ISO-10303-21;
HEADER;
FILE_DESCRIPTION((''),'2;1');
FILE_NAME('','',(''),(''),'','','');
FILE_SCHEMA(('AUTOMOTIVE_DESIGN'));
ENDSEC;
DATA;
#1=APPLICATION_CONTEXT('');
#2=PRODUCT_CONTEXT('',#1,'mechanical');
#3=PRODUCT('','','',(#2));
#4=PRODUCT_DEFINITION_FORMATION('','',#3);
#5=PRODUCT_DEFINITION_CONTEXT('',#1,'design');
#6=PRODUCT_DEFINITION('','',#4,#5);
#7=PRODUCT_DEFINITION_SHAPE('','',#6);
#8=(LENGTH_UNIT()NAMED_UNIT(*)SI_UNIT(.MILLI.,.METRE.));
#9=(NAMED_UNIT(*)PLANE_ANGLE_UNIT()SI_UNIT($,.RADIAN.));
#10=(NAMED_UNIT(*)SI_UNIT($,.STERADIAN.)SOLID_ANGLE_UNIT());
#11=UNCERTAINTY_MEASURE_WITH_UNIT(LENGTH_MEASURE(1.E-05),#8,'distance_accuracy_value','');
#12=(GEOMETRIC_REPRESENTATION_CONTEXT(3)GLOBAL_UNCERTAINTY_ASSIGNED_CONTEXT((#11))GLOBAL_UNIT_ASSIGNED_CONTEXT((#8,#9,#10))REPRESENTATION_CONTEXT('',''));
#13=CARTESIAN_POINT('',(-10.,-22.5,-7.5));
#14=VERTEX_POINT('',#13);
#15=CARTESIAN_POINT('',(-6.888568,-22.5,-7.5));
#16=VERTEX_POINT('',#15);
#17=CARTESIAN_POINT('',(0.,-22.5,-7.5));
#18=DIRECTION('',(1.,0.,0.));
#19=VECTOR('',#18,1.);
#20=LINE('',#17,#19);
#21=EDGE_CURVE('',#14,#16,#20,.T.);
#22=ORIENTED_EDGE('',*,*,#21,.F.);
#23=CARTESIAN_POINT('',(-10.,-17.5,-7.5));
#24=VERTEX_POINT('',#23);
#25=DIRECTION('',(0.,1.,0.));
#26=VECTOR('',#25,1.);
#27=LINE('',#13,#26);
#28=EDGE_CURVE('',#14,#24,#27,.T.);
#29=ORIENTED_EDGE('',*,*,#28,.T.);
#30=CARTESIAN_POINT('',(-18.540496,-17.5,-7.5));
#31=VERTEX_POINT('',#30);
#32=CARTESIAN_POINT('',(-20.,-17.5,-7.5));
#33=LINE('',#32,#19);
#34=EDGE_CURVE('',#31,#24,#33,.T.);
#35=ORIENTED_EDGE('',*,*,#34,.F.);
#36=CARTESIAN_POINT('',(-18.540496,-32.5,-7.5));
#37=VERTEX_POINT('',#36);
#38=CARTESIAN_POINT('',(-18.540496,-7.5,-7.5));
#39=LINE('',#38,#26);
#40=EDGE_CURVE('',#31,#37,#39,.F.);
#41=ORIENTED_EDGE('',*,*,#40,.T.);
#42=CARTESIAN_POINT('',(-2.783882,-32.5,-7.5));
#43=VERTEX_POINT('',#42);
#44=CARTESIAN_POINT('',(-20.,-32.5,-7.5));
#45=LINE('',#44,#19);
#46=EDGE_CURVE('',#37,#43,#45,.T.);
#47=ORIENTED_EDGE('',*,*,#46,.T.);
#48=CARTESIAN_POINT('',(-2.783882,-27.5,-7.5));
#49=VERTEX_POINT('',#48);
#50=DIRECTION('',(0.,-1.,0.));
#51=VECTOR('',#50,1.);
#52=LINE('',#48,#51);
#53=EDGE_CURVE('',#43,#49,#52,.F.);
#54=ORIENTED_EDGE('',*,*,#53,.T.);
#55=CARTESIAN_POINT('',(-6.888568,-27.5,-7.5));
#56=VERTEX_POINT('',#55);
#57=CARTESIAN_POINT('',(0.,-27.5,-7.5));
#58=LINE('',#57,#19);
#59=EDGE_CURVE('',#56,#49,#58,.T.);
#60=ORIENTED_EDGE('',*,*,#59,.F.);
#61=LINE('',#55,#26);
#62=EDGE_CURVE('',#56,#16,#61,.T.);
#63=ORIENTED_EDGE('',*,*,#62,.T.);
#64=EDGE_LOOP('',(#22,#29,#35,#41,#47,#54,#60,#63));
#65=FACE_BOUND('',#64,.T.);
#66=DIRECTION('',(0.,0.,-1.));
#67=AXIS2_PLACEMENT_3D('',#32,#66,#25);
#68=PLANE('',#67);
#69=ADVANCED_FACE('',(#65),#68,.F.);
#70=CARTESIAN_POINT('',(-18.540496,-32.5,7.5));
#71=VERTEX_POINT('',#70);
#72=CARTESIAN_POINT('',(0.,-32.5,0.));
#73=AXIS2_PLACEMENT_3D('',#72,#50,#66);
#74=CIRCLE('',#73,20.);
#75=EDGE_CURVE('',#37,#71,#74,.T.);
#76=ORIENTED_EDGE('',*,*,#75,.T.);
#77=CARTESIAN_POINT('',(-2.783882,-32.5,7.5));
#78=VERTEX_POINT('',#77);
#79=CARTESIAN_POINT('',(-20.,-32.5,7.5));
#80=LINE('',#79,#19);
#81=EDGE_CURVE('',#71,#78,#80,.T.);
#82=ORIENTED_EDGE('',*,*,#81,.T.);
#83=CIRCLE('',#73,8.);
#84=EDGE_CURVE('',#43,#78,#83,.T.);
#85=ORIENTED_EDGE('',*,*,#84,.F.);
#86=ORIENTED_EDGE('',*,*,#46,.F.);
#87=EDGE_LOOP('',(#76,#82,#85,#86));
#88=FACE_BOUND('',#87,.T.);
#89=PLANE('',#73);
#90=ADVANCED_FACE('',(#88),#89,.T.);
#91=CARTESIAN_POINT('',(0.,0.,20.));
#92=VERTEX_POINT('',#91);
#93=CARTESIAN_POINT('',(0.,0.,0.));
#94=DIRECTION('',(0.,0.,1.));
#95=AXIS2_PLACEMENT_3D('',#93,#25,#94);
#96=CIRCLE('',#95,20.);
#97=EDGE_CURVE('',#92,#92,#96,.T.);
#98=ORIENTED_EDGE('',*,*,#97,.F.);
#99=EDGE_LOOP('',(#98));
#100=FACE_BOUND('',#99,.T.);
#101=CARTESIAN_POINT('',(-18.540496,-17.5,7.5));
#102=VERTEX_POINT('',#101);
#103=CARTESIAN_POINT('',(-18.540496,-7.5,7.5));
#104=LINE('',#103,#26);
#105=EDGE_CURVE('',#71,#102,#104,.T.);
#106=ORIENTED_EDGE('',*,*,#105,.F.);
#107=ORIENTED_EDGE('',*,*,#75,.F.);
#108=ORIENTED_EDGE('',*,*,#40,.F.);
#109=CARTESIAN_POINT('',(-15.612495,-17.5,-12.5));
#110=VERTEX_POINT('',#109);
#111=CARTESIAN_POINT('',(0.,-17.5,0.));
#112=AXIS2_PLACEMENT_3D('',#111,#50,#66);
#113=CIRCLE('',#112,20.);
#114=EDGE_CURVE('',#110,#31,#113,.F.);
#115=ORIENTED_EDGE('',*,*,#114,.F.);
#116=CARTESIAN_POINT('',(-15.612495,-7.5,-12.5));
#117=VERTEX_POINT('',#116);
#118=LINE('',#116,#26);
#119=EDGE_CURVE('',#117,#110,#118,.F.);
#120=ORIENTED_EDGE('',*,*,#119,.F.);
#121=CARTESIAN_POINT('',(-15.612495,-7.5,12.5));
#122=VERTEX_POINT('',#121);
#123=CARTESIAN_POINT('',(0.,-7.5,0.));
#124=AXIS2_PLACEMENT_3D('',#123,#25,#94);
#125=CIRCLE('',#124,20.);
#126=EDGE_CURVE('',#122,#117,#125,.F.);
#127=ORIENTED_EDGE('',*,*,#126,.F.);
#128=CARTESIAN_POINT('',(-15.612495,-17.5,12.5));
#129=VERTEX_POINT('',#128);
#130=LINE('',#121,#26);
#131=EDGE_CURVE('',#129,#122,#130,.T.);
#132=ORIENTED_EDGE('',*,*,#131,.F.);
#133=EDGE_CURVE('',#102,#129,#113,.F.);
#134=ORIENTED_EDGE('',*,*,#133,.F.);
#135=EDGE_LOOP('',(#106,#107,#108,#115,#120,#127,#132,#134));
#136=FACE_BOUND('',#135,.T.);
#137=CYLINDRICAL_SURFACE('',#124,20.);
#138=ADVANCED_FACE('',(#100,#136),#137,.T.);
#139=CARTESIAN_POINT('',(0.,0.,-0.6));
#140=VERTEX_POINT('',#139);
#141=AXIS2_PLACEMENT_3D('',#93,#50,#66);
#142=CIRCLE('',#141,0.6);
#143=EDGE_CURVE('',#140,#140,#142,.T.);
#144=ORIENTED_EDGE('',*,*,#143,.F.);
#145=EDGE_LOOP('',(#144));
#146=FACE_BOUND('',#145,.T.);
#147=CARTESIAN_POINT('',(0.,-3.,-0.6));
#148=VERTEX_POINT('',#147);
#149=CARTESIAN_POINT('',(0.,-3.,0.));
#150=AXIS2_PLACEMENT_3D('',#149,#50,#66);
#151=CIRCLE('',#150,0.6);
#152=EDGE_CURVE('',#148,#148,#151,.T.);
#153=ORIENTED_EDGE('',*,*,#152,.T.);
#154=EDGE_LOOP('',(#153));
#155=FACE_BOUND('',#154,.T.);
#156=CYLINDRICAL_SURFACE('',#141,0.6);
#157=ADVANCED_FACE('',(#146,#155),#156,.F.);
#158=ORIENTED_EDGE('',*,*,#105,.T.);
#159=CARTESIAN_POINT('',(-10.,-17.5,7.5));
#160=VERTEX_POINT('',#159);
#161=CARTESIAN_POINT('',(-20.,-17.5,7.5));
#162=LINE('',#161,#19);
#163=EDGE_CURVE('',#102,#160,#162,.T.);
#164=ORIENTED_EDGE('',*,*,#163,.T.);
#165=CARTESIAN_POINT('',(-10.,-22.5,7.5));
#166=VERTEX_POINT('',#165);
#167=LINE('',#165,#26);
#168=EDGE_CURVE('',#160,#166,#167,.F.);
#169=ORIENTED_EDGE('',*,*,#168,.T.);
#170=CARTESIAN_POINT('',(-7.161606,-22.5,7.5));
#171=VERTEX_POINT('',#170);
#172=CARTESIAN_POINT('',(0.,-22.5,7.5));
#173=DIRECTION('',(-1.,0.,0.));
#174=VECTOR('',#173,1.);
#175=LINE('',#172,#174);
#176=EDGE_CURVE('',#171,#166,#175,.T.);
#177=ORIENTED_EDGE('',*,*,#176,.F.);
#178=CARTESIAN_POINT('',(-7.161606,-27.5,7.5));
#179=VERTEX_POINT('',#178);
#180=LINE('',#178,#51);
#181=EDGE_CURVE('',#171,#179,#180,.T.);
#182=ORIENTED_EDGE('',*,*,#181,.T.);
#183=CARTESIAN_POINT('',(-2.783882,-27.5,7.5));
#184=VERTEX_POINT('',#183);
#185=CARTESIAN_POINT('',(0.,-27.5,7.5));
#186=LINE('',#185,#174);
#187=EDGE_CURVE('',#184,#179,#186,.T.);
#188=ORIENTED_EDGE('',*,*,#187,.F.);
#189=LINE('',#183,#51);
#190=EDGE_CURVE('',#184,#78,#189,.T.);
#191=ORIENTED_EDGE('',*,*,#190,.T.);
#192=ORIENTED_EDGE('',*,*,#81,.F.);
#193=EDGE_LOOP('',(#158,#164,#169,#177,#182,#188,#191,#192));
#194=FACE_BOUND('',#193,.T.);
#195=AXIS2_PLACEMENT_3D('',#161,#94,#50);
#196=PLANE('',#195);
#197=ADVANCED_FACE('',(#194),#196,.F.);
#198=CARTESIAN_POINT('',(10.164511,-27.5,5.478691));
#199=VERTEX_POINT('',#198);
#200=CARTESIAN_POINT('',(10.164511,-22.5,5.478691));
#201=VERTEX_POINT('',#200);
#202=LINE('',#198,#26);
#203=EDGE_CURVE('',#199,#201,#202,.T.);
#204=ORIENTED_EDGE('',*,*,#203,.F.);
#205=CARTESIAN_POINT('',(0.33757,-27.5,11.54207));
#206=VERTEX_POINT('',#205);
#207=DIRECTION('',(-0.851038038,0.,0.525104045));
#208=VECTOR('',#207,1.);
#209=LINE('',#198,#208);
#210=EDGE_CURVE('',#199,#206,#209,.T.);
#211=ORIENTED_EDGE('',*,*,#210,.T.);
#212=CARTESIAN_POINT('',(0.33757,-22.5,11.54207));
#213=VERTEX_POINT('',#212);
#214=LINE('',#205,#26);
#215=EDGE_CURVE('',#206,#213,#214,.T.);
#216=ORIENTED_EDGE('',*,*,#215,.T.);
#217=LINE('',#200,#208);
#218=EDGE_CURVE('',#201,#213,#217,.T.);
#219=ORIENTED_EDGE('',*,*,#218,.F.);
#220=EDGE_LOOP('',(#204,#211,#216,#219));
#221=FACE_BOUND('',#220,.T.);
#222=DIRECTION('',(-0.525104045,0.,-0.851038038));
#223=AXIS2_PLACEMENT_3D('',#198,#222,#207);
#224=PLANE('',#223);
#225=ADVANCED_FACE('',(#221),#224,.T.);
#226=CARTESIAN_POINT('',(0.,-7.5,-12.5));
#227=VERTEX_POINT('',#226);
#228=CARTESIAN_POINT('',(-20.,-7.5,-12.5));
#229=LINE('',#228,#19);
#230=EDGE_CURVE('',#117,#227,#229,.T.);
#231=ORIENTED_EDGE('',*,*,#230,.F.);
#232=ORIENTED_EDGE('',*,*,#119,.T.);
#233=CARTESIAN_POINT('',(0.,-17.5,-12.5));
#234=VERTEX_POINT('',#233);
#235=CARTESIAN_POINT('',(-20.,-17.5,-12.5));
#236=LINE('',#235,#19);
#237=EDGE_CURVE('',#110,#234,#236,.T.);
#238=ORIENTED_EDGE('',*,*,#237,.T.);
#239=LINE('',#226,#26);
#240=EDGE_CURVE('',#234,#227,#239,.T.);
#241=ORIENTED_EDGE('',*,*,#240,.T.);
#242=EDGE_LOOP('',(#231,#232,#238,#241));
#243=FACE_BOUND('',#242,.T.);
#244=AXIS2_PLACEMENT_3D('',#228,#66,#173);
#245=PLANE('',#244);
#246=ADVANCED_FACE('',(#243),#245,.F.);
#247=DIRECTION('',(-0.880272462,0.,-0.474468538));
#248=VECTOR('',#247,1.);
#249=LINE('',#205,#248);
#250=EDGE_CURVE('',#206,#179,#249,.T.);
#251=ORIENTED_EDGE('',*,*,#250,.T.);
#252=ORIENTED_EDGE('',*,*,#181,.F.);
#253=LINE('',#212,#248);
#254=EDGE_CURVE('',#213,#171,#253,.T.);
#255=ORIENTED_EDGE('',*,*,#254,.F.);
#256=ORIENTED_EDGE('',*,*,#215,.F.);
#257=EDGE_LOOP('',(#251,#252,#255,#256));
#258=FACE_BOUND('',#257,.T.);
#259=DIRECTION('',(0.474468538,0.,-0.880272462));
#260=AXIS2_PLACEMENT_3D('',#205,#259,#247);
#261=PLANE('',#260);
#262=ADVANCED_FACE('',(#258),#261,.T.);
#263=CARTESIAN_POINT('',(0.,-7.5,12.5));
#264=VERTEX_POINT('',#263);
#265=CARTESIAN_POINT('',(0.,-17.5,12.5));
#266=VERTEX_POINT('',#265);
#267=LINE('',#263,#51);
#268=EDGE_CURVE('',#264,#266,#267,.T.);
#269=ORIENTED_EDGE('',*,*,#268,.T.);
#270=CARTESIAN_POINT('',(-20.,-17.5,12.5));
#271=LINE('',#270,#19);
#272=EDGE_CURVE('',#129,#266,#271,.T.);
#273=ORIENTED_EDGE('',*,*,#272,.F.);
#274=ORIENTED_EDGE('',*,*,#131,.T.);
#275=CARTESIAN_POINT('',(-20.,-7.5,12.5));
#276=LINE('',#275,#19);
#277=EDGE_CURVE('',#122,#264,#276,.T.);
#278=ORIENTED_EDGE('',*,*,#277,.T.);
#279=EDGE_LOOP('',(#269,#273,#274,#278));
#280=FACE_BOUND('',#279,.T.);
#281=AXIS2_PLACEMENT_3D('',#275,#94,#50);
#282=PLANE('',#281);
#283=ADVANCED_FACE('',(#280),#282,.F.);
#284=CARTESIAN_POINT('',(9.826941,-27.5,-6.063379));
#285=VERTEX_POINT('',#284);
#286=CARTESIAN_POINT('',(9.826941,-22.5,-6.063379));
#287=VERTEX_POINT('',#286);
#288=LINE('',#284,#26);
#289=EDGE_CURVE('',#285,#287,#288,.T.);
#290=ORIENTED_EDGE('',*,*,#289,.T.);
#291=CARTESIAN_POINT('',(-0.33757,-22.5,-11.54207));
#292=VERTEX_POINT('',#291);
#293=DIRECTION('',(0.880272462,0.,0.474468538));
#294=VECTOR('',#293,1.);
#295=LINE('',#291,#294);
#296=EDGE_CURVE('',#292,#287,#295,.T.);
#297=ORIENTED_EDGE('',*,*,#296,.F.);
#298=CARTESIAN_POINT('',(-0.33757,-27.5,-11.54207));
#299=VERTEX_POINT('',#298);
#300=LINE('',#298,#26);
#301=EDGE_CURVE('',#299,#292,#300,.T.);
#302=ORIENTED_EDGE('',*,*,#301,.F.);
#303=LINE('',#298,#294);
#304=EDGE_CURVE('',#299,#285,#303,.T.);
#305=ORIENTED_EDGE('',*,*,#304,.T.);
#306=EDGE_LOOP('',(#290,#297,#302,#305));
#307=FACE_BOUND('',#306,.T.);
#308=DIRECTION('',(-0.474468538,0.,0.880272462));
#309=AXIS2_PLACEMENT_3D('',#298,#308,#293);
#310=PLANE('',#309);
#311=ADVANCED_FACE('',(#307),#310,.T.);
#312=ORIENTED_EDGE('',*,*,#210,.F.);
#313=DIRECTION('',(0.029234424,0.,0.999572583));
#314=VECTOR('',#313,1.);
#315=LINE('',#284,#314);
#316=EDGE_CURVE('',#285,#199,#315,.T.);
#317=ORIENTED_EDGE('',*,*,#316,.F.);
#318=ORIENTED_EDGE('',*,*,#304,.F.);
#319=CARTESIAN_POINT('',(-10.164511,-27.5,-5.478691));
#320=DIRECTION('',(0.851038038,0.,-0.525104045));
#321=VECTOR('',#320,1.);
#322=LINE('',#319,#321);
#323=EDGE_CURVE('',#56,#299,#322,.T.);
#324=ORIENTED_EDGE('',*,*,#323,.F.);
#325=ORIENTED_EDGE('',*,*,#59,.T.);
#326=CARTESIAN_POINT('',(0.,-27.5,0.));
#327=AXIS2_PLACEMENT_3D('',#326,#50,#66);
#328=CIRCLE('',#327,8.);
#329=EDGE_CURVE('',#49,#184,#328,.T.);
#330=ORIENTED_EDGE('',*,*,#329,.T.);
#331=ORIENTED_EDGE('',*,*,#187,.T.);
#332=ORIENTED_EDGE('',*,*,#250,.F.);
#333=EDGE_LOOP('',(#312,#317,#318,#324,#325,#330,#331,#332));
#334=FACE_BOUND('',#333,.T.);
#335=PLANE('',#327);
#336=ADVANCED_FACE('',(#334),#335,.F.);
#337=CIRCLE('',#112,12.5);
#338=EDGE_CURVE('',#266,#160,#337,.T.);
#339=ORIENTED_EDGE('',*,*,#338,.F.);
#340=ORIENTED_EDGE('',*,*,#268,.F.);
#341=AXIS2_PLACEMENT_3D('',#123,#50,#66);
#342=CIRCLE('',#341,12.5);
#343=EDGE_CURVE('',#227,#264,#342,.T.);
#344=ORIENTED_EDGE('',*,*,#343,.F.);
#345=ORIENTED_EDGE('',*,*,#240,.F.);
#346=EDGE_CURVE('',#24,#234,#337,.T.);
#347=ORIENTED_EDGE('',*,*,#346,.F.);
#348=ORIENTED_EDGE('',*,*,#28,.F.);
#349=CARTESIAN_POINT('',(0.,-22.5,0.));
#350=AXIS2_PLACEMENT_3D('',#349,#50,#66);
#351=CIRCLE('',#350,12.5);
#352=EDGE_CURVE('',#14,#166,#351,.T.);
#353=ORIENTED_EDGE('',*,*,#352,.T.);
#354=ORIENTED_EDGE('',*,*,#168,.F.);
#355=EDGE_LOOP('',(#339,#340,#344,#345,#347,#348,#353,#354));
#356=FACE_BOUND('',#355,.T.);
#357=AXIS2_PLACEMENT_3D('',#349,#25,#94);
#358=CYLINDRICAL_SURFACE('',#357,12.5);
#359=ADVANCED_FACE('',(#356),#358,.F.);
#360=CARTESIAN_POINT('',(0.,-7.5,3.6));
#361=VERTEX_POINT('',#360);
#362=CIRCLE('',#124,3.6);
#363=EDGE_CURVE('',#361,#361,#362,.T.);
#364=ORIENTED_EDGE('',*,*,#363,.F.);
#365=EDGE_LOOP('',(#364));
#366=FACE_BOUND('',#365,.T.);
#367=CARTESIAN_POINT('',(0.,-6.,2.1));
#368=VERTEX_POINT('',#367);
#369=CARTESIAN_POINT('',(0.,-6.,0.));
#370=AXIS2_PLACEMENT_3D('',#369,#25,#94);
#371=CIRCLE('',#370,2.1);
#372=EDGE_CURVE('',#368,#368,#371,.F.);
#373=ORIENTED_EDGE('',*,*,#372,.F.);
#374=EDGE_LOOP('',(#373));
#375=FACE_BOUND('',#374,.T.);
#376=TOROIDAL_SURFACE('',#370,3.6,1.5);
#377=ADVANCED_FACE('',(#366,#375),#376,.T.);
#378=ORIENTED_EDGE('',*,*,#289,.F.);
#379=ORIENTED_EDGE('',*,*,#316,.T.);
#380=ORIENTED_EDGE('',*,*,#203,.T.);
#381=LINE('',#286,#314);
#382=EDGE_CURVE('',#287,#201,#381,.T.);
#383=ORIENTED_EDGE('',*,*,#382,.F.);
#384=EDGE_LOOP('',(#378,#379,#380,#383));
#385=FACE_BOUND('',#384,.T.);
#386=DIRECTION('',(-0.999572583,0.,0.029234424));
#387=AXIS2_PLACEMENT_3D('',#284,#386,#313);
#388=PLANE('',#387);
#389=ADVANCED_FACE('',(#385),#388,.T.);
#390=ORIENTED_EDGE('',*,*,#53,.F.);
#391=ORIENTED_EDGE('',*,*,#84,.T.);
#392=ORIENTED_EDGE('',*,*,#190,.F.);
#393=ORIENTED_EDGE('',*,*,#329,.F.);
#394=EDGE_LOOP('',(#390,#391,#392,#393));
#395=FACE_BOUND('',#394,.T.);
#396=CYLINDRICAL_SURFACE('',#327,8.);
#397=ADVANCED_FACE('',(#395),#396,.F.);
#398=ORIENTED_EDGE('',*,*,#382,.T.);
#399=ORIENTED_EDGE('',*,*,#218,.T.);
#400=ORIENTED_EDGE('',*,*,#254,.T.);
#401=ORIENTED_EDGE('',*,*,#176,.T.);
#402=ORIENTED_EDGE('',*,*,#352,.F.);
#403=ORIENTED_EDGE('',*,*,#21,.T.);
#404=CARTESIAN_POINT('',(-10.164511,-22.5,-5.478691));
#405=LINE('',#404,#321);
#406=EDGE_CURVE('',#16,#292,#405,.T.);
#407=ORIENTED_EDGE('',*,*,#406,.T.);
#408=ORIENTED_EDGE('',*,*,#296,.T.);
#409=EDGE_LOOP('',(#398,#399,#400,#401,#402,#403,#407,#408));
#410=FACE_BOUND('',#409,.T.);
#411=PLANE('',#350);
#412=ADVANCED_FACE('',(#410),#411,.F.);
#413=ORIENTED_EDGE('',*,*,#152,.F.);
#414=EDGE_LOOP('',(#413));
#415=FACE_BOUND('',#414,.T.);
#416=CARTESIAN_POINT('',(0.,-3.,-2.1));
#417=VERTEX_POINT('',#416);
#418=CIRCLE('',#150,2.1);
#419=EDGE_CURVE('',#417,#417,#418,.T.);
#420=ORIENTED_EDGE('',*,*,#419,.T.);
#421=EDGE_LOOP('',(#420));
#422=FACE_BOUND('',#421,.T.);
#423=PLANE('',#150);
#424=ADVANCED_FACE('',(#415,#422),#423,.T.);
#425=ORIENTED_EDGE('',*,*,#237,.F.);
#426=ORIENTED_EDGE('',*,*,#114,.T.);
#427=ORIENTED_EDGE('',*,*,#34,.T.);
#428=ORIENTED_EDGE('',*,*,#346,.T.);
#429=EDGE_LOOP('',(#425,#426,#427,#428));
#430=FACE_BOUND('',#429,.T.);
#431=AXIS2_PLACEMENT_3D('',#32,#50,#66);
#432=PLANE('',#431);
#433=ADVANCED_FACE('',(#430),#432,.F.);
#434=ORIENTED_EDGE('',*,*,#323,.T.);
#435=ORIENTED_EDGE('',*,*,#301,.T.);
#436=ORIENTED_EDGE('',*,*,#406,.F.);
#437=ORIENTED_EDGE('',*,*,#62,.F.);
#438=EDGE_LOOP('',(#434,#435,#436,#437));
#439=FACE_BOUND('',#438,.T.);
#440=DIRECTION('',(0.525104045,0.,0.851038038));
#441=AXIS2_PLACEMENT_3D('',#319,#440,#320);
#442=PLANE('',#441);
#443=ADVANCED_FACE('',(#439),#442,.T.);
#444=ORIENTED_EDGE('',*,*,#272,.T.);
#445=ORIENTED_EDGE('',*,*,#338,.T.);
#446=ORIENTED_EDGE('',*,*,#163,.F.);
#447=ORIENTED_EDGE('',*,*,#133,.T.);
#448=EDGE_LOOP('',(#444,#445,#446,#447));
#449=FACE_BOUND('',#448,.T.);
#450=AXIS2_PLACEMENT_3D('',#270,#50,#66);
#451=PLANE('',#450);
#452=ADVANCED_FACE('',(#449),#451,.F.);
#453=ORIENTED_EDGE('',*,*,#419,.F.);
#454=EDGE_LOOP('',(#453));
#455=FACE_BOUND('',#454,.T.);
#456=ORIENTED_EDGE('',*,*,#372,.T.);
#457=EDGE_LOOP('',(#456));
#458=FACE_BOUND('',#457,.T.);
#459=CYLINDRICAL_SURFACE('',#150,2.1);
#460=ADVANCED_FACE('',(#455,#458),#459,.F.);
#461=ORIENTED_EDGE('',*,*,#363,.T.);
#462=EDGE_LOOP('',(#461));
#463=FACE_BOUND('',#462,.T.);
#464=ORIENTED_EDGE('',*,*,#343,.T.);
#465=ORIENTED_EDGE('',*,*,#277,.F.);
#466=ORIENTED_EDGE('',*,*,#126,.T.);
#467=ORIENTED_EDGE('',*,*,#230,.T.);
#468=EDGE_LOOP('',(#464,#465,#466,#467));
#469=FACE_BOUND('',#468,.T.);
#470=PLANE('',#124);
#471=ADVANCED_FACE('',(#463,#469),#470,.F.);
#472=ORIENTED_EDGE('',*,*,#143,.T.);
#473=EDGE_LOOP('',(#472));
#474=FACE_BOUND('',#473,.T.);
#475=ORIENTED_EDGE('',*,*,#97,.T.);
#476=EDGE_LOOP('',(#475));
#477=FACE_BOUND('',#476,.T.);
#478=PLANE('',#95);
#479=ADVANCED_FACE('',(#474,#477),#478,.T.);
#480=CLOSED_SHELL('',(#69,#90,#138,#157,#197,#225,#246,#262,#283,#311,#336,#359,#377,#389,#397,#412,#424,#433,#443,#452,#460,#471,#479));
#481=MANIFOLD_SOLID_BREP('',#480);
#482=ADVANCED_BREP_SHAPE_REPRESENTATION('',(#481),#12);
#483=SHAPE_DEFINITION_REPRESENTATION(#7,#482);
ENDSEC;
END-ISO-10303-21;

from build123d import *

# Parameters (mm, degrees)
SKETCH1_R           = 20
BOSS_EXTRUDE1_DEPTH = 7.5
SKETCH2_R           = 20
SKETCH2_R_2         = 12.5
BOSS_EXTRUDE2_DEPTH = 15
SKETCH3_R           = 20
BOSS_EXTRUDE3_DEPTH = 10
CUT_EXTRUDE2_DEPTH  = 5
CUT_EXTRUDE3_DEPTH  = 44.084219849
SKETCH6_R           = 8
CUT_EXTRUDE4_DEPTH  = 5
SKETCH7_R           = 2.1
CUT_EXTRUDE5_DEPTH  = 4.5
SKETCH8_R           = 0.6
CUT_EXTRUDE6_DEPTH  = 41.868692174
FILLET1_R           = 1.5


with BuildPart() as part:
    # Sketch1 → Boss-Extrude1 (new body)
    with BuildSketch(Plane(origin=(0, 0, 0), x_dir=(1, 0, 0), z_dir=(0, 1, 0))):
        with Locations(Location((0, 0, 0), (0, 0, 270))):
            Circle(SKETCH1_R)
    extrude(amount=-BOSS_EXTRUDE1_DEPTH)

    # Sketch2 → Boss-Extrude2 (add)
    with BuildSketch(Plane.XZ.offset(7.5)):
        with Locations(Location((0, 0, 0), (0, 0, 90))):
            Circle(SKETCH2_R)
        with Locations(Location((0, 0, 0), (0, 0, 270))):
            Circle(SKETCH2_R_2, mode=Mode.SUBTRACT)
    extrude(amount=BOSS_EXTRUDE2_DEPTH)

    # Sketch3 → Boss-Extrude3 (add)
    with BuildSketch(Plane.XZ.offset(22.5)):
        with Locations(Location((0, 0, 0), (0, 0, 90))):
            Circle(SKETCH3_R)
    extrude(amount=BOSS_EXTRUDE3_DEPTH)

    # Sketch4 → Cut-Extrude2 (cut)
    with BuildSketch(Plane(origin=(0, -22.5, 0), x_dir=(-1, 0, 0), z_dir=(0, -1, 0))):
        Polygon((10.164510853, 5.47869076), (0.337570049, 11.542069996), (-9.826940805, 6.063379236), (-10.164510853, -5.47869076), (-0.337570049, -11.542069996), (9.826940805, -6.063379236), align=None)
    extrude(amount=CUT_EXTRUDE2_DEPTH, mode=Mode.SUBTRACT)

    # Sketch5 → Cut-Extrude3 (cut, through all)
    with BuildSketch(Plane(origin=(0, 0, 0), x_dir=(0, 0, -1), z_dir=(1, 0, 0))):
        Polygon((7.5, -17.5), (12.5, -17.5), (12.5, -7.5), (-12.5, -7.5), (-12.5, -17.5), (-7.5, -17.5), (-7.5, -32.5), (7.5, -32.5), align=None)
    extrude(amount=-CUT_EXTRUDE3_DEPTH, mode=Mode.SUBTRACT)

    # Sketch6 → Cut-Extrude4 (cut)
    with BuildSketch(Plane.XZ.offset(32.5)):
        Circle(SKETCH6_R)
    extrude(amount=-CUT_EXTRUDE4_DEPTH, mode=Mode.SUBTRACT)

    # Sketch7 → Cut-Extrude5 (cut)
    with BuildSketch(Plane.XZ.offset(7.5)):
        with Locations(Location((0, 0, 0), (0, 0, 270))):
            Circle(SKETCH7_R)
    extrude(amount=-CUT_EXTRUDE5_DEPTH, mode=Mode.SUBTRACT)

    # Sketch8 → Cut-Extrude6 (cut, through all)
    with BuildSketch(Plane.XZ.offset(3)):
        with Locations(Location((0, 0, 0), (0, 0, 270))):
            Circle(SKETCH8_R)
    extrude(amount=-CUT_EXTRUDE6_DEPTH, mode=Mode.SUBTRACT)

    # Fillet1
    fillet1_edges = [part.edges().sort_by_distance(p)[0] for p in [
        (0, -7.5, 2.1),
    ]]
    fillet(fillet1_edges, radius=FILLET1_R)


solid = part.part
